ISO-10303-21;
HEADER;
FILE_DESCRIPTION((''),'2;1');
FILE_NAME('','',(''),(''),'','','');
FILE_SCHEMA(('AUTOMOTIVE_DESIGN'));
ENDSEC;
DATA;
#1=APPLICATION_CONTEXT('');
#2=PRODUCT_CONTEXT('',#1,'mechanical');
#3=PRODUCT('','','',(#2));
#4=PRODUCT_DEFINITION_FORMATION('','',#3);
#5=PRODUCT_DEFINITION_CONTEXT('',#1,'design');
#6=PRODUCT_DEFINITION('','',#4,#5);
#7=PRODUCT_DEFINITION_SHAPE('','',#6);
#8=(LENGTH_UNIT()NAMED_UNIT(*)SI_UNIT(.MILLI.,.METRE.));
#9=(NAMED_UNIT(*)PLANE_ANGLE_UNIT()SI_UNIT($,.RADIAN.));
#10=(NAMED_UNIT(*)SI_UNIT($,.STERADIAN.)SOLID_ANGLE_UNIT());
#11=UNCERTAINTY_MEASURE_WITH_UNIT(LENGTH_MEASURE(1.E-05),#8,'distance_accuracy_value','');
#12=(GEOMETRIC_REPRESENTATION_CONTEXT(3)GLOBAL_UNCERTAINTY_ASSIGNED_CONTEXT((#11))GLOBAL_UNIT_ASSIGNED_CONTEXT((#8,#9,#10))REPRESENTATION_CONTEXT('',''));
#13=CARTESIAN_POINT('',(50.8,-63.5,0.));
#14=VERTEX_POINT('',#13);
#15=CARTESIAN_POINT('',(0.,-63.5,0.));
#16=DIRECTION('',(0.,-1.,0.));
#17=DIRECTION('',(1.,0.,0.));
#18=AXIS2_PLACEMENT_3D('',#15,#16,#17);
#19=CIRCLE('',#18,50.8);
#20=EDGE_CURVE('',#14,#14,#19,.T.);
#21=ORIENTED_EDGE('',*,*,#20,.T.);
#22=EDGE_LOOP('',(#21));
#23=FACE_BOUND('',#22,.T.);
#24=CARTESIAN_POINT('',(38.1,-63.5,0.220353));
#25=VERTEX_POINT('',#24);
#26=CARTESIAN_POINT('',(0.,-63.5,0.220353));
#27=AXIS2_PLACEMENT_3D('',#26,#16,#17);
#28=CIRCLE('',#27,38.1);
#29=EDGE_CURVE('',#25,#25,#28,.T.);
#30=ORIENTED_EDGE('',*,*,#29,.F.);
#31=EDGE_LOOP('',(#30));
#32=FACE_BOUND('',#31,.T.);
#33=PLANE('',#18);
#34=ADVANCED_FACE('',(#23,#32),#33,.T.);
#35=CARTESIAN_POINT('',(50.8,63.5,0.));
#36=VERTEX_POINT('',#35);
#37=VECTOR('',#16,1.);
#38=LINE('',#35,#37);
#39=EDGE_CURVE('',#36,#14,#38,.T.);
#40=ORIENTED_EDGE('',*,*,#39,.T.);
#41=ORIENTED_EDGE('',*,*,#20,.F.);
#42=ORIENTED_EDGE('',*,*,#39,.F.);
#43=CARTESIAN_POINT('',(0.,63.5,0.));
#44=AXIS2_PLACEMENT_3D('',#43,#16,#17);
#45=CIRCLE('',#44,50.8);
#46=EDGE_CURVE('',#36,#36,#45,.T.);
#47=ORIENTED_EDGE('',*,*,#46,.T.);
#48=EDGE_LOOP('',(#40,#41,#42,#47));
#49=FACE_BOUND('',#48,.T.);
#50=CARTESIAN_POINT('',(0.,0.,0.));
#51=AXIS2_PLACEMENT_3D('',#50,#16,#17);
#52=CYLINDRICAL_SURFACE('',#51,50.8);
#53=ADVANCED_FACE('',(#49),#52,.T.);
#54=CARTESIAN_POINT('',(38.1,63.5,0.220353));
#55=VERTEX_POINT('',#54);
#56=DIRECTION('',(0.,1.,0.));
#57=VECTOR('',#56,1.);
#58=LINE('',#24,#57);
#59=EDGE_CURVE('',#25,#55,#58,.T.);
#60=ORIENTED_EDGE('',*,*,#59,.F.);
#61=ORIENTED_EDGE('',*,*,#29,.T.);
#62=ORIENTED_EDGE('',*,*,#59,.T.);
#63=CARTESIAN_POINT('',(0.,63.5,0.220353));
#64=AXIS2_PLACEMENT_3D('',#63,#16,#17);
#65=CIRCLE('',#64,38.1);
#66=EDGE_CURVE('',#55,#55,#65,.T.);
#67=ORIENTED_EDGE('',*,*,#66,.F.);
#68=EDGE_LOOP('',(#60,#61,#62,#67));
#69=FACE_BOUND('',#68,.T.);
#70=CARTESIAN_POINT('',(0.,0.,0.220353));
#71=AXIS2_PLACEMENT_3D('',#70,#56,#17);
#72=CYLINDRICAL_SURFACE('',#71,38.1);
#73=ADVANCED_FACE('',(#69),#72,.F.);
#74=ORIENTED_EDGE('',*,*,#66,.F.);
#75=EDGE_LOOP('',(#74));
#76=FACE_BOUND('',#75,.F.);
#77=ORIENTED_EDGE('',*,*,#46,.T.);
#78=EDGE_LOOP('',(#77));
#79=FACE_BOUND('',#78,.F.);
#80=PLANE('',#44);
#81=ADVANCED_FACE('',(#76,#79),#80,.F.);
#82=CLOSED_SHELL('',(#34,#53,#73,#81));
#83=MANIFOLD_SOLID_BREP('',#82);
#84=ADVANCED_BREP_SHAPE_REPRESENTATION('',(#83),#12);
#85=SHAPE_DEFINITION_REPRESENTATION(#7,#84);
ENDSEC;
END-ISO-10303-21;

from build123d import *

# Parameters (mm, degrees)
F0_R     = 50.8
F0_R_2   = 38.1
F1_DEPTH = 63.5


with BuildPart() as f1:
    # F0 (on Front) → F1 (new body, symmetric)
    with BuildSketch(Plane.XZ):
        Circle(F0_R)
        with Locations((0, 0.220353)):
            Circle(F0_R_2, mode=Mode.SUBTRACT)
    extrude(amount=F1_DEPTH, both=True)


solid = f1.part
